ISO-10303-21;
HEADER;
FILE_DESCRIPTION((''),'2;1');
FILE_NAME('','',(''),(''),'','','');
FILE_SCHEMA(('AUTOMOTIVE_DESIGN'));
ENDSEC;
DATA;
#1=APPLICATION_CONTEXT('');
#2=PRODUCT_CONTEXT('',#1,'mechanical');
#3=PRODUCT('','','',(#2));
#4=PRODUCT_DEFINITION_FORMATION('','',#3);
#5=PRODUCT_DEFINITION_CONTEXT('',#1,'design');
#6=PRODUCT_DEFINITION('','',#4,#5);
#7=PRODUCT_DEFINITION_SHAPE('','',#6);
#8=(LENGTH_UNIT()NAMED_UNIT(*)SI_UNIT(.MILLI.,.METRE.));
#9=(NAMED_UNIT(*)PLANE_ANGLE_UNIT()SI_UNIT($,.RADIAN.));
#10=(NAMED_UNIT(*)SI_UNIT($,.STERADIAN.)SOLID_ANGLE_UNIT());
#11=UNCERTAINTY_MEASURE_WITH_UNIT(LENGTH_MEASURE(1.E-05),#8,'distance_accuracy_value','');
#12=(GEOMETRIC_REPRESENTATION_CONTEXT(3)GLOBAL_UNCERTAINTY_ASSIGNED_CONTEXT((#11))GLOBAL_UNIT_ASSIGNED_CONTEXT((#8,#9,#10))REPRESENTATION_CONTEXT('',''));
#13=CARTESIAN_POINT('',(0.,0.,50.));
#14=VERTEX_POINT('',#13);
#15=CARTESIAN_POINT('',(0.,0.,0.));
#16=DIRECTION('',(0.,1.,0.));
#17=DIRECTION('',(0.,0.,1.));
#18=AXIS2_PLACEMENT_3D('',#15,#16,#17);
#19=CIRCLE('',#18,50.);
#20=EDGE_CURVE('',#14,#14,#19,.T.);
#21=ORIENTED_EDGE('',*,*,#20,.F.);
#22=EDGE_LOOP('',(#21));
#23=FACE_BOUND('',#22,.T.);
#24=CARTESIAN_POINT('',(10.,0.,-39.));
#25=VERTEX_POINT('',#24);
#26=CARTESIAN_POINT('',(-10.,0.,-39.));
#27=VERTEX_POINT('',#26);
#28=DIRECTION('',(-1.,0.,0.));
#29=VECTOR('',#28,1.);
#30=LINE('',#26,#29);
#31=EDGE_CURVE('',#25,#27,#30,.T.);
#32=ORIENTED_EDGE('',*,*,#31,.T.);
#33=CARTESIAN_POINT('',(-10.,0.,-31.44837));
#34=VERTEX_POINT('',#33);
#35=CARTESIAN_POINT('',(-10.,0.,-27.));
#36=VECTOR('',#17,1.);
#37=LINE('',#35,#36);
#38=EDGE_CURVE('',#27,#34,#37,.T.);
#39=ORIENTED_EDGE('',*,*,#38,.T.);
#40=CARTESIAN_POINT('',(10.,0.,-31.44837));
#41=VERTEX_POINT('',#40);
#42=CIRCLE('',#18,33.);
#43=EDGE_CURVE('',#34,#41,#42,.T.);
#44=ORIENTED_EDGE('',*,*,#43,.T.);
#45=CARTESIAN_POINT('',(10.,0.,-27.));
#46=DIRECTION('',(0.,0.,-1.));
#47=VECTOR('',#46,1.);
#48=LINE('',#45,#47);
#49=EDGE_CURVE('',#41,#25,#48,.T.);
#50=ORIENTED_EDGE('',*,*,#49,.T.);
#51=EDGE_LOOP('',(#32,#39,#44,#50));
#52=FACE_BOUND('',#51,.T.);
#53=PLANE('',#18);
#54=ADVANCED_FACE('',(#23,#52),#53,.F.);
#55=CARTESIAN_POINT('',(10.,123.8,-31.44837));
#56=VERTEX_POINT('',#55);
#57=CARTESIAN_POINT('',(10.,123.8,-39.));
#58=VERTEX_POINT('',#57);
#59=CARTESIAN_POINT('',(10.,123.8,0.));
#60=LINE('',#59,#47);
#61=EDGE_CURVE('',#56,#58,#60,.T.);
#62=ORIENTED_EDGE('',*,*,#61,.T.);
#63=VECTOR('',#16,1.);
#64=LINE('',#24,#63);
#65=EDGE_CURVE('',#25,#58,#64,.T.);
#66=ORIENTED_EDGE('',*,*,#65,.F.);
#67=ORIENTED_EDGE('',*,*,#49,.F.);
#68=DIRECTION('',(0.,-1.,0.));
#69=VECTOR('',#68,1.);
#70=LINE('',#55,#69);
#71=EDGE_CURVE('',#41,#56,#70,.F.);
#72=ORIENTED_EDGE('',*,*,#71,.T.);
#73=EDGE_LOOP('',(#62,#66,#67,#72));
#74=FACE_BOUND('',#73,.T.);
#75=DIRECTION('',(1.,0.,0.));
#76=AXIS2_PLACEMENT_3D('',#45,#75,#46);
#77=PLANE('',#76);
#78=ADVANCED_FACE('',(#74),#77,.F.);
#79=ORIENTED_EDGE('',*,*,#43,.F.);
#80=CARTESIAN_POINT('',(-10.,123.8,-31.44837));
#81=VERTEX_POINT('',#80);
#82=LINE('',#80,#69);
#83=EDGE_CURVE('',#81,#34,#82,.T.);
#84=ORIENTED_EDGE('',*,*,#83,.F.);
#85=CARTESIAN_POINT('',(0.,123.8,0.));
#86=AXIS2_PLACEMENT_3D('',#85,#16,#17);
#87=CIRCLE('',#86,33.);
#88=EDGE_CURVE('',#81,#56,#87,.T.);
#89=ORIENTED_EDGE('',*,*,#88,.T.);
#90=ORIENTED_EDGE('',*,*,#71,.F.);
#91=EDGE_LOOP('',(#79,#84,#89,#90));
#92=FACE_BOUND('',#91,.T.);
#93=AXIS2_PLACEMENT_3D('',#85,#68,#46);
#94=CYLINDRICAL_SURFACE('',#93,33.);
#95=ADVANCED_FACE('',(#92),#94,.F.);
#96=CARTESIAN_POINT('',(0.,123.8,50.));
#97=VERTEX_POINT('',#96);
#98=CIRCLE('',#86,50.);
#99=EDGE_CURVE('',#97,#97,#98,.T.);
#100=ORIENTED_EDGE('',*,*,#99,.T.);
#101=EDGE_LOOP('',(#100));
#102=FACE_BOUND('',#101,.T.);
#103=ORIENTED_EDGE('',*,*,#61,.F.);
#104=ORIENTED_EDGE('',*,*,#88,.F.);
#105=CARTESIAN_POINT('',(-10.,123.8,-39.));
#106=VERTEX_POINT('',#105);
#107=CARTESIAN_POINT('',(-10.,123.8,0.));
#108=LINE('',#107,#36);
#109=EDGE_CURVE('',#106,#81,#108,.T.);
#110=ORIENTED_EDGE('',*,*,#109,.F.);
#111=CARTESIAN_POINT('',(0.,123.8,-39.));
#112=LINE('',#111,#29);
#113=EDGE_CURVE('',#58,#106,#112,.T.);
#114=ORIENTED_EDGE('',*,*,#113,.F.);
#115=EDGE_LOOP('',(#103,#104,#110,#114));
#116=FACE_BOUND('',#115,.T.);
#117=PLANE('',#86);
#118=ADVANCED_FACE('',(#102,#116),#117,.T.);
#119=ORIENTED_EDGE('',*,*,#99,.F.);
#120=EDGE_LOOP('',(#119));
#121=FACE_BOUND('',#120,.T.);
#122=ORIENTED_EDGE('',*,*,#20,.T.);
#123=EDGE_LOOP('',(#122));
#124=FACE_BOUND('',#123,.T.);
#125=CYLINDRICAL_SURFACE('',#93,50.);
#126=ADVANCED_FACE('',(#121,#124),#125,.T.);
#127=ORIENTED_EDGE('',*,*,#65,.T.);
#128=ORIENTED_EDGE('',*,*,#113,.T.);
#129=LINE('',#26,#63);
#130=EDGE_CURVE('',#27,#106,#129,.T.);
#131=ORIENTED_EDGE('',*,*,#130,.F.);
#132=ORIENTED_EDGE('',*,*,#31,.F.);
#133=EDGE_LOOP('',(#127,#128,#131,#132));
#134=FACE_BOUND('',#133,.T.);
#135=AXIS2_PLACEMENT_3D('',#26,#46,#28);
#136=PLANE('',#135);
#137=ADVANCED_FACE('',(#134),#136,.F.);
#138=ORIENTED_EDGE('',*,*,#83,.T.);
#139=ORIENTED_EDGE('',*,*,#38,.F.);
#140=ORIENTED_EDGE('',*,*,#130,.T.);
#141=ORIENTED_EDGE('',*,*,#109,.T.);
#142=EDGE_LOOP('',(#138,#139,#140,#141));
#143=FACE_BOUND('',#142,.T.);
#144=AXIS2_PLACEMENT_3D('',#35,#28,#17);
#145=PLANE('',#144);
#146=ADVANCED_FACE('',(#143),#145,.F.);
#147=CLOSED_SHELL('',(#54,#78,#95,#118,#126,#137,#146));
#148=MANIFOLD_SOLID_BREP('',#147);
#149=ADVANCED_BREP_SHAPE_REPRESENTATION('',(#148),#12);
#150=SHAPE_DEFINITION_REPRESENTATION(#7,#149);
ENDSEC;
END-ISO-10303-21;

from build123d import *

# Parameters (mm, degrees)
SKETCH1_R               = 50
SKETCH1_R_2             = 33
BOSS_EXTRUDE1_DEPTH     = 123.8
CUT_EXTRUDE1_DEPTH      = 143.570824505
CUT_EXTRUDE1_DEPTH_BACK = 143.570824505
SKETCH2_W               = 20
SKETCH2_H               = 12


with BuildPart() as part:
    # Sketch1 → Boss-Extrude1 (new body)
    with BuildSketch(Plane(origin=(0, 0, 0), x_dir=(1, 0, 0), z_dir=(0, 1, 0))):
        with Locations(Location((0, 0, 0), (0, 0, 270))):
            Circle(SKETCH1_R)
        with Locations(Location((0, 0, 0), (0, 0, 270))):
            Circle(SKETCH1_R_2, mode=Mode.SUBTRACT)
    extrude(amount=BOSS_EXTRUDE1_DEPTH)

    # Sketch2 → Cut-Extrude1 (cut, two sides: drawn at the far end of the back side and taken through both)
    with BuildSketch(Plane(origin=(0, 123.8, 0), x_dir=(1, 0, 0), z_dir=(0, 1, 0)).offset(-CUT_EXTRUDE1_DEPTH_BACK)):
        with Locations((0, 33)):
            Rectangle(SKETCH2_W, SKETCH2_H)
    extrude(amount=CUT_EXTRUDE1_DEPTH + CUT_EXTRUDE1_DEPTH_BACK, mode=Mode.SUBTRACT)


solid = part.part
